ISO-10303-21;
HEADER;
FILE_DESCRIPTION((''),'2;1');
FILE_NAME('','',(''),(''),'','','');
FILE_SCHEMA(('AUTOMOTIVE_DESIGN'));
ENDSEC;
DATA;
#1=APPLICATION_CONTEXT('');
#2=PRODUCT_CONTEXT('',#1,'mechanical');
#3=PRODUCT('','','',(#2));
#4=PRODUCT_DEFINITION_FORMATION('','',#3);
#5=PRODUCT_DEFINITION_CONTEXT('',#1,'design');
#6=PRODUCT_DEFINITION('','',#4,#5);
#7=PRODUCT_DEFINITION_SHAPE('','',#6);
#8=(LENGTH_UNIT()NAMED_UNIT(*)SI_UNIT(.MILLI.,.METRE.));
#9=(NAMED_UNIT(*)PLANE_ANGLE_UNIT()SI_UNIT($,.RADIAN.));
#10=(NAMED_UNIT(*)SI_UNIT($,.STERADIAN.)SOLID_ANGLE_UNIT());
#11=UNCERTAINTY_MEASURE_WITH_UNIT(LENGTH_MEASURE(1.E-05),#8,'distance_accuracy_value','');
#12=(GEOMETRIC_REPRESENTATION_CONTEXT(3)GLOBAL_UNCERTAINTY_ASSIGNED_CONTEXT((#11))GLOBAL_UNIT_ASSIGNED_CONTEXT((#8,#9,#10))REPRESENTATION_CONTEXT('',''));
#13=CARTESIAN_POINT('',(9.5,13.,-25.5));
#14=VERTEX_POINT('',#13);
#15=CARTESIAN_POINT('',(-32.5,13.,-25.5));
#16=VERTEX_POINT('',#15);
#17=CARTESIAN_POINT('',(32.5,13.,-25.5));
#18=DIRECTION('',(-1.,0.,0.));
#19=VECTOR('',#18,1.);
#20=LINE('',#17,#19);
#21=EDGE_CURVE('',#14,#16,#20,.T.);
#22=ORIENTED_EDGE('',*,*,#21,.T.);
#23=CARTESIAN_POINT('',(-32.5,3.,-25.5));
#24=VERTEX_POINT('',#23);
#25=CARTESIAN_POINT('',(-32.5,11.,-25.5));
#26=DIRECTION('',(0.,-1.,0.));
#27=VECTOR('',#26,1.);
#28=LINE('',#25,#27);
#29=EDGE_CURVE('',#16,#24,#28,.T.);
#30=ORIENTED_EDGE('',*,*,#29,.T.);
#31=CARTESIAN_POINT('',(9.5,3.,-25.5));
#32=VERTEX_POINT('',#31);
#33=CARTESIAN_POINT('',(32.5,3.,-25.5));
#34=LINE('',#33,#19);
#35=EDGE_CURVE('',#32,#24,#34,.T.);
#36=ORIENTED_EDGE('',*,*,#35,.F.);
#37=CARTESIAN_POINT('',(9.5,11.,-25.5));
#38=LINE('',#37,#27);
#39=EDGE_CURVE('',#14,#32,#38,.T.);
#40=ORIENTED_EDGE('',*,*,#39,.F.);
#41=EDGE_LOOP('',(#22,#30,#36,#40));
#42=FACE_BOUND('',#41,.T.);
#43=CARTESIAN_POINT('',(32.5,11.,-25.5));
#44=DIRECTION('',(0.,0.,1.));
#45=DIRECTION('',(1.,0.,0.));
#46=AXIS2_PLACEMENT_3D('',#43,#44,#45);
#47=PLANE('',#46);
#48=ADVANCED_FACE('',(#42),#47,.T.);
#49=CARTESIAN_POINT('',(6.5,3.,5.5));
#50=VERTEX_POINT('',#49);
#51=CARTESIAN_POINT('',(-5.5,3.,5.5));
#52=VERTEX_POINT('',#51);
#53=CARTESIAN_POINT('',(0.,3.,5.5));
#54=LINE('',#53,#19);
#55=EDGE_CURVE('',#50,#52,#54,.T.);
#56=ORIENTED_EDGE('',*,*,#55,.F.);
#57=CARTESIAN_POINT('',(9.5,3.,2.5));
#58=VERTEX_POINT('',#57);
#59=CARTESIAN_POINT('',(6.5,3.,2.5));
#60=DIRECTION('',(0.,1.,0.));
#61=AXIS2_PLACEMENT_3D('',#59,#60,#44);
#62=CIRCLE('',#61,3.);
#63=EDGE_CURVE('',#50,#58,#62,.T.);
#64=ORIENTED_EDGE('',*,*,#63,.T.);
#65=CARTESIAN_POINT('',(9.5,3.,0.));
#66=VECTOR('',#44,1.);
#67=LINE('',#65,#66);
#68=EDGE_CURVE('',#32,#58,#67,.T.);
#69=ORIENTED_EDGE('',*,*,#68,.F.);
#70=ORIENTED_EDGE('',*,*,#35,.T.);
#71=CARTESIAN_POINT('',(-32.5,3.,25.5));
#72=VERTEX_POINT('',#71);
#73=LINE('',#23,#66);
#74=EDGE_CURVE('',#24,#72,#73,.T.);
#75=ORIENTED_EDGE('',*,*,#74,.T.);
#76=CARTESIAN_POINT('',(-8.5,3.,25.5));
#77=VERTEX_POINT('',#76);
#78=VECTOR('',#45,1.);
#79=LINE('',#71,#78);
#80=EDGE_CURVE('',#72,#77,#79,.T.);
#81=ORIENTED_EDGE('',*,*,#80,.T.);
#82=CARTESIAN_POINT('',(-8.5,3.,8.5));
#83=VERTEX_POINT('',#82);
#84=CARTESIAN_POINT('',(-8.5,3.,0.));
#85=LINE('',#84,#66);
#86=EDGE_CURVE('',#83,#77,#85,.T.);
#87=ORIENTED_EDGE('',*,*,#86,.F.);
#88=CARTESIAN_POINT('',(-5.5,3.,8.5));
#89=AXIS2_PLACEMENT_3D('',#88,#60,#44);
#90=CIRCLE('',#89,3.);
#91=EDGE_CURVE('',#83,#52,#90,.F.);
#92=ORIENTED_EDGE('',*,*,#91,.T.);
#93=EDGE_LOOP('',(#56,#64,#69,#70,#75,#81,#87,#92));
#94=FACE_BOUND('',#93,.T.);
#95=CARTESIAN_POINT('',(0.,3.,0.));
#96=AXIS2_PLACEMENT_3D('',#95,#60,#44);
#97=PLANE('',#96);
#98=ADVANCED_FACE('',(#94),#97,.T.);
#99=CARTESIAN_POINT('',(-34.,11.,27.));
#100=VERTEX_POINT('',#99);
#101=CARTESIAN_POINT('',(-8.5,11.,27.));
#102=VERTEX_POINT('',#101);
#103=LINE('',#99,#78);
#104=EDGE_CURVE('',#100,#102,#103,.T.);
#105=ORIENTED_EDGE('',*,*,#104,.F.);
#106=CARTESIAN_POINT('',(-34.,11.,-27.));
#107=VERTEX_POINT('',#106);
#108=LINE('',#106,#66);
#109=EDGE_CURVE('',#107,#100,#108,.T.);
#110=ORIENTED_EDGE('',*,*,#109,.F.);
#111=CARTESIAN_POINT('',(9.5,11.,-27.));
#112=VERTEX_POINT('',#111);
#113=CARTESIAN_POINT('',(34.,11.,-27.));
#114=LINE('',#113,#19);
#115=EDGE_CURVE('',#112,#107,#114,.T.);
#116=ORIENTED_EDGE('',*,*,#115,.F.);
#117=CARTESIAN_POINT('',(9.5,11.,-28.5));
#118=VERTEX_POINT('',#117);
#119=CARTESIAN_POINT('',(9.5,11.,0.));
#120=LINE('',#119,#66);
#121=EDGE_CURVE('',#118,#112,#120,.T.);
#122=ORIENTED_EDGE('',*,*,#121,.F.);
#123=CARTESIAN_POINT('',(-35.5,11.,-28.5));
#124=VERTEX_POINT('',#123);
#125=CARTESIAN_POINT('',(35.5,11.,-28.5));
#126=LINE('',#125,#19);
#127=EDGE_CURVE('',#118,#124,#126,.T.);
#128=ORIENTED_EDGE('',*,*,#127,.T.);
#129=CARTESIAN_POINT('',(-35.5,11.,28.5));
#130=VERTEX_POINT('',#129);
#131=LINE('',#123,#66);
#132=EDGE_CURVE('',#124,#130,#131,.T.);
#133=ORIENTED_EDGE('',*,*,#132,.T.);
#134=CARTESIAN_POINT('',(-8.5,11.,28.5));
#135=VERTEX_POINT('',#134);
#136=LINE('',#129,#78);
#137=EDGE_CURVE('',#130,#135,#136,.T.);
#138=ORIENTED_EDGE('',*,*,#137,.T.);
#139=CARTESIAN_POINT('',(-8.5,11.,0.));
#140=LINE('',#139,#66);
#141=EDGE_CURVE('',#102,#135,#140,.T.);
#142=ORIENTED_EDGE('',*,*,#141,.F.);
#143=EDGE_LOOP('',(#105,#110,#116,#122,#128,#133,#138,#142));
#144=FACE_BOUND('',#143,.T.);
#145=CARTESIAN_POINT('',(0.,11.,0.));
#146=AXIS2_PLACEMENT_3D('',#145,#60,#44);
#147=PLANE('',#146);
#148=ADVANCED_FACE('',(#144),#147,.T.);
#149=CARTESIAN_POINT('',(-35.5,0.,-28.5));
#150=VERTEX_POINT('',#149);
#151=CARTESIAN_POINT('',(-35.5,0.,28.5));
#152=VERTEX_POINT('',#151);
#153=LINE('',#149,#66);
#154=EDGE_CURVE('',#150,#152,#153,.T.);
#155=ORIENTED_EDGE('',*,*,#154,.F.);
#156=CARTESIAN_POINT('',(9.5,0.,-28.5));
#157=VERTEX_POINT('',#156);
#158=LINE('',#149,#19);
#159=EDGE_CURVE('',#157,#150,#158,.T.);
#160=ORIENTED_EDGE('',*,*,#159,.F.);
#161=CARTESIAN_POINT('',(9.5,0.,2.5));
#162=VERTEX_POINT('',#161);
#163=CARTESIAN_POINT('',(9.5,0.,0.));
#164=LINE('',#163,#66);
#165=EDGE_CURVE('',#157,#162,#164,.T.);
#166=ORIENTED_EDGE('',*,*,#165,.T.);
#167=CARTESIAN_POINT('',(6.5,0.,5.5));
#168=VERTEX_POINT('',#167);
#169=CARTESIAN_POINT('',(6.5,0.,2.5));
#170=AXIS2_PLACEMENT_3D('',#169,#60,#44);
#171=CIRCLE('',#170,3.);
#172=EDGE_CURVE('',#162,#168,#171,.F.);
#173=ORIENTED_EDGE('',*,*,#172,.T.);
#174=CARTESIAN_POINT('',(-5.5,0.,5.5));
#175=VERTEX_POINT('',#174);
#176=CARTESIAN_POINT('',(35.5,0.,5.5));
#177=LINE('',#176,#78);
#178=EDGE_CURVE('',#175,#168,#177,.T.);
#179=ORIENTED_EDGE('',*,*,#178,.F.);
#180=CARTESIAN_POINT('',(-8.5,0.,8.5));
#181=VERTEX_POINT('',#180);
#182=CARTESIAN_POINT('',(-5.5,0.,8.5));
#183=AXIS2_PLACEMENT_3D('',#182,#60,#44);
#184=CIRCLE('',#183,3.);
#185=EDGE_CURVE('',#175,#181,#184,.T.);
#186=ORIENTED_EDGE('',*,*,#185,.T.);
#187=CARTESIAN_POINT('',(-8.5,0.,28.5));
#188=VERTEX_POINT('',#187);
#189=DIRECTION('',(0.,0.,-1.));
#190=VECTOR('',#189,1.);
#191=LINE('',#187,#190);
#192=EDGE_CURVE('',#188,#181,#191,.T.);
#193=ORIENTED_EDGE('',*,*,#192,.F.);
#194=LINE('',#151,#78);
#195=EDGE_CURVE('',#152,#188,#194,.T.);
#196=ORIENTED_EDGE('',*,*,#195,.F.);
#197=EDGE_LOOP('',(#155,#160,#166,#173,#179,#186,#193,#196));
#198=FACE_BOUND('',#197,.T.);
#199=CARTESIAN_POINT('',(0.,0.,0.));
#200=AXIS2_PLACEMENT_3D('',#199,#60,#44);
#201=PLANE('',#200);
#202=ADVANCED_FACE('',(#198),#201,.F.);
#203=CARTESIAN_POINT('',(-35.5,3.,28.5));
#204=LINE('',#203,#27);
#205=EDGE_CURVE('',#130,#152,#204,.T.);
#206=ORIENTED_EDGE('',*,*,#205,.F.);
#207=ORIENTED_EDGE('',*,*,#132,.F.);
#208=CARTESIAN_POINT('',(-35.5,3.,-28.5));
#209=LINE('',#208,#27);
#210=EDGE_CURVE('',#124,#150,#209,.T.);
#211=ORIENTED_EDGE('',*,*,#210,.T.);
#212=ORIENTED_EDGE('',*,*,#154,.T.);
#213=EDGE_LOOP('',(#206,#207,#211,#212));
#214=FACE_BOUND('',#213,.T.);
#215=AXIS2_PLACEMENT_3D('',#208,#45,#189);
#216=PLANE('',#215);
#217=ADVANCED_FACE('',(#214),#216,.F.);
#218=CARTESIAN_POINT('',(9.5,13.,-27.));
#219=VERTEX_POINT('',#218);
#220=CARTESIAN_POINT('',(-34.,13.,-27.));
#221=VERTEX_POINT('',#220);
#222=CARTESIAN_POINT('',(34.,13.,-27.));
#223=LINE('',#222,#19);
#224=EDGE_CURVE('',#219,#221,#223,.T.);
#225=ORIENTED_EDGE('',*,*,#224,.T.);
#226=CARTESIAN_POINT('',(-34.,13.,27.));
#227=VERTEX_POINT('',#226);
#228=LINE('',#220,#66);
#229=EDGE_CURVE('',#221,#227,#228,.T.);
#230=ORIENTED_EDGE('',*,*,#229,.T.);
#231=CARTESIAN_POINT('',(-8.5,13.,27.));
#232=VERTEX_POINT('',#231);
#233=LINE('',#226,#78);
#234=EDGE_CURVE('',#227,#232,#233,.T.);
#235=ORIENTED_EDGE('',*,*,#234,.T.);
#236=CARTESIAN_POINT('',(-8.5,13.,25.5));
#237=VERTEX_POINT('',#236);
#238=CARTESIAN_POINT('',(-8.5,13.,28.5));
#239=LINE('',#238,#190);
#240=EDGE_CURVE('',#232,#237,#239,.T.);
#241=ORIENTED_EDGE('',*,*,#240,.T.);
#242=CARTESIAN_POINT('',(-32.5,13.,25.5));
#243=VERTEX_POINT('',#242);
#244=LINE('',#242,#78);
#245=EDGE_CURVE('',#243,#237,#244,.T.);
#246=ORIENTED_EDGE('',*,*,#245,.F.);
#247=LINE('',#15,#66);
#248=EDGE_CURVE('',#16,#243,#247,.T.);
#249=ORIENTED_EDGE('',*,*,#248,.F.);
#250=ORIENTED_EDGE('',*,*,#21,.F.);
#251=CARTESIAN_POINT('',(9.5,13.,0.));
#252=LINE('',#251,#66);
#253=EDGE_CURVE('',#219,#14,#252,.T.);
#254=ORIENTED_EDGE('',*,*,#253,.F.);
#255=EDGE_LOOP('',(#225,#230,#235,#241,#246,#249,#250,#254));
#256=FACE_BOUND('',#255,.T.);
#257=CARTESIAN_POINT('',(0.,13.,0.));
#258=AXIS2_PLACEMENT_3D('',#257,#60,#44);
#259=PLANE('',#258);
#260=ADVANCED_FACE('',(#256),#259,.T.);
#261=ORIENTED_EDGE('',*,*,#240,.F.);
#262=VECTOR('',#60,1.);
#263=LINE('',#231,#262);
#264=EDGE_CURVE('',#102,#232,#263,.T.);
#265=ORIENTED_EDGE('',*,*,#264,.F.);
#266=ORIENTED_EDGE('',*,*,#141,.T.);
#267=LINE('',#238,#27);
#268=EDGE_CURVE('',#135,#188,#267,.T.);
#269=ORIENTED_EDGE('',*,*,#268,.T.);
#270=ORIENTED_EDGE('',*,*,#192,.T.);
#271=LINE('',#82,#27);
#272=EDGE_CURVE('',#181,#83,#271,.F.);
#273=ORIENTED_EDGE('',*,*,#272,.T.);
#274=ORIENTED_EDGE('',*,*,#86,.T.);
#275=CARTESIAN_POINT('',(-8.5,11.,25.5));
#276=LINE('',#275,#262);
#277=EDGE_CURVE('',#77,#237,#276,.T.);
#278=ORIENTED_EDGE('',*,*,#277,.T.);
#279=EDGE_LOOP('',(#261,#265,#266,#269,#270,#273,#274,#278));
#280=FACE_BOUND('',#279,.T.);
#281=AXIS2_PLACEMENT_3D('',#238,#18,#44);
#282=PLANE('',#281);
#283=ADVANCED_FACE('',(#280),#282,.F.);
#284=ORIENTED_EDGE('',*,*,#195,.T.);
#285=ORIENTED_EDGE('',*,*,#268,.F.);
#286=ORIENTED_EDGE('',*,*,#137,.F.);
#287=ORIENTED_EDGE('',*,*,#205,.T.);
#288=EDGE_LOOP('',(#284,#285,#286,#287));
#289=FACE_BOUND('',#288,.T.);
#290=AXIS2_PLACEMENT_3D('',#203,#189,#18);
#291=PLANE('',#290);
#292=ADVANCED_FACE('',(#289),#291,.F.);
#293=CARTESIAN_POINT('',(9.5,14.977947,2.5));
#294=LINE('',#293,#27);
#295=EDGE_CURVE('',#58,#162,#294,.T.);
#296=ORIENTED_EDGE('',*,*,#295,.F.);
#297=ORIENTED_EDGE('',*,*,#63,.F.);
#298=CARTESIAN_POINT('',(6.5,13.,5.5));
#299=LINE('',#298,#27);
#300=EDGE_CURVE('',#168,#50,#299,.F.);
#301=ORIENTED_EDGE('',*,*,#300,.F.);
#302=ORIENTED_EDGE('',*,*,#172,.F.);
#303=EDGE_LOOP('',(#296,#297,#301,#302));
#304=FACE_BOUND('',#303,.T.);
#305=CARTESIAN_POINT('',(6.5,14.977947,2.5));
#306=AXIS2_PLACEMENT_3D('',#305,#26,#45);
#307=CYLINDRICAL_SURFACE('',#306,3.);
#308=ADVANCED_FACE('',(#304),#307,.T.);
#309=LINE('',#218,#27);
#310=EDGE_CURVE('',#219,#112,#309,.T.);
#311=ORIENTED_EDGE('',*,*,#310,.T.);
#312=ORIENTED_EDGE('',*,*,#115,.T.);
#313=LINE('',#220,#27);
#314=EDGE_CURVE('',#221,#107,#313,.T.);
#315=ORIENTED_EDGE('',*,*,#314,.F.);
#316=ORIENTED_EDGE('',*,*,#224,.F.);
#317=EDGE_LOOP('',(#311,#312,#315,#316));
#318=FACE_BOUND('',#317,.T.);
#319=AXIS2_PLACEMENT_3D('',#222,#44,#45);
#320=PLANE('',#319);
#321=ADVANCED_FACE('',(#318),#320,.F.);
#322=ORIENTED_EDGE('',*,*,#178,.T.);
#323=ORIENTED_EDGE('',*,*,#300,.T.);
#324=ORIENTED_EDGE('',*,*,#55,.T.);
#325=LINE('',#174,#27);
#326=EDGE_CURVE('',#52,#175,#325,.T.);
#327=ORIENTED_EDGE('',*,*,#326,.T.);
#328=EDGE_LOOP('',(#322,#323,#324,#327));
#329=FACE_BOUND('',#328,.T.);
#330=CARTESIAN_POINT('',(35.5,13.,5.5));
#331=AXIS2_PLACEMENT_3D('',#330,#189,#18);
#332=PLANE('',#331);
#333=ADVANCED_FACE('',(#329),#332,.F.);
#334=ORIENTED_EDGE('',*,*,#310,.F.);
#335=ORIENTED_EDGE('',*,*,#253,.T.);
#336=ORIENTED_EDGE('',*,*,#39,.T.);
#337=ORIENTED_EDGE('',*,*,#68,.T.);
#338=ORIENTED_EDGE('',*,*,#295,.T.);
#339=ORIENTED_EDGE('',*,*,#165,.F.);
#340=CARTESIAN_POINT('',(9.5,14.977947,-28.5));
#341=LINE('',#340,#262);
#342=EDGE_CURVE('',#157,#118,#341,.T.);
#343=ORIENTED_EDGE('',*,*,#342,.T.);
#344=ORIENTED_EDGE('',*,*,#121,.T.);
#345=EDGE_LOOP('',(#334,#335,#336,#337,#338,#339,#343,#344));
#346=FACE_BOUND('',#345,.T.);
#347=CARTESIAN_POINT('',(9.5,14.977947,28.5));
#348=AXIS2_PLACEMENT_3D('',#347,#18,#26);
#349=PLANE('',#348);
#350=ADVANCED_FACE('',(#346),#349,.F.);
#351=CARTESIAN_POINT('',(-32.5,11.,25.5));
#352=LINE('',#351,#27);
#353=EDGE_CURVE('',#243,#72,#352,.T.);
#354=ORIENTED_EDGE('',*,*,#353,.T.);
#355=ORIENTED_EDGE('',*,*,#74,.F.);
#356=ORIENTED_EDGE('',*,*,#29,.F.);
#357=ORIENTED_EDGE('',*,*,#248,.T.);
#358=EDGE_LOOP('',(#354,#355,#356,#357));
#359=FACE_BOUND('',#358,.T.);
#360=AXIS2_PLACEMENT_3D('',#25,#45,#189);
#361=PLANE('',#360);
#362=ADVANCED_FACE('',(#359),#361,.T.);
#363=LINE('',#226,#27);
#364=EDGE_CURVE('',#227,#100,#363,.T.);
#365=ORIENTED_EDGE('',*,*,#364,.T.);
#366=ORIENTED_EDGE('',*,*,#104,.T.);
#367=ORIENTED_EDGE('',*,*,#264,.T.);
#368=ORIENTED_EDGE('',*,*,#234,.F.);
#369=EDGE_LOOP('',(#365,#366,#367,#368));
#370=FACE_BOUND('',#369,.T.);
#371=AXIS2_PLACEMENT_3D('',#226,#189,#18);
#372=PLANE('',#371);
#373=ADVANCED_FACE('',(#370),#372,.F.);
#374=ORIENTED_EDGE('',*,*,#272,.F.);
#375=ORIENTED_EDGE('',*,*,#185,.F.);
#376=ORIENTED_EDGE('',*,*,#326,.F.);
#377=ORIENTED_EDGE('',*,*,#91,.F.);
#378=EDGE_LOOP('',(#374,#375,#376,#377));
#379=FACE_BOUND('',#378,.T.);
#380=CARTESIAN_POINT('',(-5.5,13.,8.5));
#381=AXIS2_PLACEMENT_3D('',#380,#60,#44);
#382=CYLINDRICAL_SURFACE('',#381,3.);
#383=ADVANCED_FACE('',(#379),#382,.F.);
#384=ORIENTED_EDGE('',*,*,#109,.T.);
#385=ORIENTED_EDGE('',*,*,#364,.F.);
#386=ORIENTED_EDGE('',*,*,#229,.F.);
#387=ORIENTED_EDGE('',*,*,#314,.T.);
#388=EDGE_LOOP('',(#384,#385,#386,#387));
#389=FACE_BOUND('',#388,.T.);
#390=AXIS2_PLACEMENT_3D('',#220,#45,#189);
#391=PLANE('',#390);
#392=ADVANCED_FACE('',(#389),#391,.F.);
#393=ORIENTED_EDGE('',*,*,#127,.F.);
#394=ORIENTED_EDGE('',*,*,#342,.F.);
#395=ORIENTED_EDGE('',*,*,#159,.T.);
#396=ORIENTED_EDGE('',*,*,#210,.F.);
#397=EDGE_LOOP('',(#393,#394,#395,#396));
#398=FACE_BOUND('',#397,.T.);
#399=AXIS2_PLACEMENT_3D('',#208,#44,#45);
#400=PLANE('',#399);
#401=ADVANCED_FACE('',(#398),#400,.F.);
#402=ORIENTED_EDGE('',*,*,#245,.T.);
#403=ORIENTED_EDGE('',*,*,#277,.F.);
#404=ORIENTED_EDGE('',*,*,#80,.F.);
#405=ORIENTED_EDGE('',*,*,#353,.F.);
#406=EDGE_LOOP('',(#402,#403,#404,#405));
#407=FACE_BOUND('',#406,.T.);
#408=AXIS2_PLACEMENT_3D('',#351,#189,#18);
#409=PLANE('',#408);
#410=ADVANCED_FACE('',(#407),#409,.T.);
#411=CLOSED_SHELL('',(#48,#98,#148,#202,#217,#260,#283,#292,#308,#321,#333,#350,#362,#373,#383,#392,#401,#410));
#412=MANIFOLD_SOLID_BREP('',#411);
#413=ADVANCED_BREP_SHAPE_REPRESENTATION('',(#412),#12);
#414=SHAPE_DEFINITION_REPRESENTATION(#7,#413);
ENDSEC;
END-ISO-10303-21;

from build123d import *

# Parameters (mm, degrees)
SKETCH1_W           = 71
SKETCH1_H           = 57
BOSS_EXTRUDE1_DEPTH = 3
SKETCH2_W           = 71
SKETCH2_H           = 57
SKETCH2_W_2         = 65
SKETCH2_H_2         = 51
BOSS_EXTRUDE2_DEPTH = 8
SKETCH6_W           = 68
SKETCH6_H           = 54
SKETCH6_W_2         = 65
SKETCH6_H_2         = 51
BOSS_EXTRUDE5_DEPTH = 2
SKETCH7_W           = 26
SKETCH7_H           = 15.829787861
CUT_EXTRUDE2_DEPTH  = 58
SKETCH8_W           = 44
SKETCH8_H           = 23
CUT_EXTRUDE3_DEPTH  = 14
FILLET1_R           = 3


with BuildPart() as part:
    # Sketch1 → Boss-Extrude1 (new body)
    with BuildSketch(Plane(origin=(0, 0, 0), x_dir=(1, 0, 0), z_dir=(0, 1, 0))):
        Rectangle(SKETCH1_W, SKETCH1_H)
    extrude(amount=BOSS_EXTRUDE1_DEPTH)

    # Sketch2 → Boss-Extrude2 (add)
    with BuildSketch(Plane(origin=(0, 3, 0), x_dir=(1, 0, 0), z_dir=(0, 1, 0))):
        Rectangle(SKETCH2_W, SKETCH2_H)
        Rectangle(SKETCH2_W_2, SKETCH2_H_2, mode=Mode.SUBTRACT)
    extrude(amount=BOSS_EXTRUDE2_DEPTH)

    # Sketch6 → Boss-Extrude5 (add)
    with BuildSketch(Plane(origin=(0, 11, 0), x_dir=(1, 0, 0), z_dir=(0, 1, 0))):
        Rectangle(SKETCH6_W, SKETCH6_H)
        Rectangle(SKETCH6_W_2, SKETCH6_H_2, mode=Mode.SUBTRACT)
    extrude(amount=BOSS_EXTRUDE5_DEPTH)

    # Sketch7 → Cut-Extrude2 (cut, through all)
    with BuildSketch(Plane(origin=(0, 0, -28.5), x_dir=(-1, 0, 0), z_dir=(0, 0, -1))):
        with Locations((-22.5, 7.063052876)):
            Rectangle(SKETCH7_W, SKETCH7_H)
    extrude(amount=-CUT_EXTRUDE2_DEPTH, mode=Mode.SUBTRACT)

    # Sketch8 → Cut-Extrude3 (cut, through all)
    with BuildSketch(Plane.XZ):
        with Locations((13.5, 17)):
            Rectangle(SKETCH8_W, SKETCH8_H)
    extrude(amount=-CUT_EXTRUDE3_DEPTH, mode=Mode.SUBTRACT)

    # Fillet1
    fillet1_edges = [part.edges().sort_by_distance(p)[0] for p in [
        (-8.5, 1.5, 5.5),
        (9.5, 1.5, 5.5),
    ]]
    fillet(fillet1_edges, radius=FILLET1_R)


solid = part.part
